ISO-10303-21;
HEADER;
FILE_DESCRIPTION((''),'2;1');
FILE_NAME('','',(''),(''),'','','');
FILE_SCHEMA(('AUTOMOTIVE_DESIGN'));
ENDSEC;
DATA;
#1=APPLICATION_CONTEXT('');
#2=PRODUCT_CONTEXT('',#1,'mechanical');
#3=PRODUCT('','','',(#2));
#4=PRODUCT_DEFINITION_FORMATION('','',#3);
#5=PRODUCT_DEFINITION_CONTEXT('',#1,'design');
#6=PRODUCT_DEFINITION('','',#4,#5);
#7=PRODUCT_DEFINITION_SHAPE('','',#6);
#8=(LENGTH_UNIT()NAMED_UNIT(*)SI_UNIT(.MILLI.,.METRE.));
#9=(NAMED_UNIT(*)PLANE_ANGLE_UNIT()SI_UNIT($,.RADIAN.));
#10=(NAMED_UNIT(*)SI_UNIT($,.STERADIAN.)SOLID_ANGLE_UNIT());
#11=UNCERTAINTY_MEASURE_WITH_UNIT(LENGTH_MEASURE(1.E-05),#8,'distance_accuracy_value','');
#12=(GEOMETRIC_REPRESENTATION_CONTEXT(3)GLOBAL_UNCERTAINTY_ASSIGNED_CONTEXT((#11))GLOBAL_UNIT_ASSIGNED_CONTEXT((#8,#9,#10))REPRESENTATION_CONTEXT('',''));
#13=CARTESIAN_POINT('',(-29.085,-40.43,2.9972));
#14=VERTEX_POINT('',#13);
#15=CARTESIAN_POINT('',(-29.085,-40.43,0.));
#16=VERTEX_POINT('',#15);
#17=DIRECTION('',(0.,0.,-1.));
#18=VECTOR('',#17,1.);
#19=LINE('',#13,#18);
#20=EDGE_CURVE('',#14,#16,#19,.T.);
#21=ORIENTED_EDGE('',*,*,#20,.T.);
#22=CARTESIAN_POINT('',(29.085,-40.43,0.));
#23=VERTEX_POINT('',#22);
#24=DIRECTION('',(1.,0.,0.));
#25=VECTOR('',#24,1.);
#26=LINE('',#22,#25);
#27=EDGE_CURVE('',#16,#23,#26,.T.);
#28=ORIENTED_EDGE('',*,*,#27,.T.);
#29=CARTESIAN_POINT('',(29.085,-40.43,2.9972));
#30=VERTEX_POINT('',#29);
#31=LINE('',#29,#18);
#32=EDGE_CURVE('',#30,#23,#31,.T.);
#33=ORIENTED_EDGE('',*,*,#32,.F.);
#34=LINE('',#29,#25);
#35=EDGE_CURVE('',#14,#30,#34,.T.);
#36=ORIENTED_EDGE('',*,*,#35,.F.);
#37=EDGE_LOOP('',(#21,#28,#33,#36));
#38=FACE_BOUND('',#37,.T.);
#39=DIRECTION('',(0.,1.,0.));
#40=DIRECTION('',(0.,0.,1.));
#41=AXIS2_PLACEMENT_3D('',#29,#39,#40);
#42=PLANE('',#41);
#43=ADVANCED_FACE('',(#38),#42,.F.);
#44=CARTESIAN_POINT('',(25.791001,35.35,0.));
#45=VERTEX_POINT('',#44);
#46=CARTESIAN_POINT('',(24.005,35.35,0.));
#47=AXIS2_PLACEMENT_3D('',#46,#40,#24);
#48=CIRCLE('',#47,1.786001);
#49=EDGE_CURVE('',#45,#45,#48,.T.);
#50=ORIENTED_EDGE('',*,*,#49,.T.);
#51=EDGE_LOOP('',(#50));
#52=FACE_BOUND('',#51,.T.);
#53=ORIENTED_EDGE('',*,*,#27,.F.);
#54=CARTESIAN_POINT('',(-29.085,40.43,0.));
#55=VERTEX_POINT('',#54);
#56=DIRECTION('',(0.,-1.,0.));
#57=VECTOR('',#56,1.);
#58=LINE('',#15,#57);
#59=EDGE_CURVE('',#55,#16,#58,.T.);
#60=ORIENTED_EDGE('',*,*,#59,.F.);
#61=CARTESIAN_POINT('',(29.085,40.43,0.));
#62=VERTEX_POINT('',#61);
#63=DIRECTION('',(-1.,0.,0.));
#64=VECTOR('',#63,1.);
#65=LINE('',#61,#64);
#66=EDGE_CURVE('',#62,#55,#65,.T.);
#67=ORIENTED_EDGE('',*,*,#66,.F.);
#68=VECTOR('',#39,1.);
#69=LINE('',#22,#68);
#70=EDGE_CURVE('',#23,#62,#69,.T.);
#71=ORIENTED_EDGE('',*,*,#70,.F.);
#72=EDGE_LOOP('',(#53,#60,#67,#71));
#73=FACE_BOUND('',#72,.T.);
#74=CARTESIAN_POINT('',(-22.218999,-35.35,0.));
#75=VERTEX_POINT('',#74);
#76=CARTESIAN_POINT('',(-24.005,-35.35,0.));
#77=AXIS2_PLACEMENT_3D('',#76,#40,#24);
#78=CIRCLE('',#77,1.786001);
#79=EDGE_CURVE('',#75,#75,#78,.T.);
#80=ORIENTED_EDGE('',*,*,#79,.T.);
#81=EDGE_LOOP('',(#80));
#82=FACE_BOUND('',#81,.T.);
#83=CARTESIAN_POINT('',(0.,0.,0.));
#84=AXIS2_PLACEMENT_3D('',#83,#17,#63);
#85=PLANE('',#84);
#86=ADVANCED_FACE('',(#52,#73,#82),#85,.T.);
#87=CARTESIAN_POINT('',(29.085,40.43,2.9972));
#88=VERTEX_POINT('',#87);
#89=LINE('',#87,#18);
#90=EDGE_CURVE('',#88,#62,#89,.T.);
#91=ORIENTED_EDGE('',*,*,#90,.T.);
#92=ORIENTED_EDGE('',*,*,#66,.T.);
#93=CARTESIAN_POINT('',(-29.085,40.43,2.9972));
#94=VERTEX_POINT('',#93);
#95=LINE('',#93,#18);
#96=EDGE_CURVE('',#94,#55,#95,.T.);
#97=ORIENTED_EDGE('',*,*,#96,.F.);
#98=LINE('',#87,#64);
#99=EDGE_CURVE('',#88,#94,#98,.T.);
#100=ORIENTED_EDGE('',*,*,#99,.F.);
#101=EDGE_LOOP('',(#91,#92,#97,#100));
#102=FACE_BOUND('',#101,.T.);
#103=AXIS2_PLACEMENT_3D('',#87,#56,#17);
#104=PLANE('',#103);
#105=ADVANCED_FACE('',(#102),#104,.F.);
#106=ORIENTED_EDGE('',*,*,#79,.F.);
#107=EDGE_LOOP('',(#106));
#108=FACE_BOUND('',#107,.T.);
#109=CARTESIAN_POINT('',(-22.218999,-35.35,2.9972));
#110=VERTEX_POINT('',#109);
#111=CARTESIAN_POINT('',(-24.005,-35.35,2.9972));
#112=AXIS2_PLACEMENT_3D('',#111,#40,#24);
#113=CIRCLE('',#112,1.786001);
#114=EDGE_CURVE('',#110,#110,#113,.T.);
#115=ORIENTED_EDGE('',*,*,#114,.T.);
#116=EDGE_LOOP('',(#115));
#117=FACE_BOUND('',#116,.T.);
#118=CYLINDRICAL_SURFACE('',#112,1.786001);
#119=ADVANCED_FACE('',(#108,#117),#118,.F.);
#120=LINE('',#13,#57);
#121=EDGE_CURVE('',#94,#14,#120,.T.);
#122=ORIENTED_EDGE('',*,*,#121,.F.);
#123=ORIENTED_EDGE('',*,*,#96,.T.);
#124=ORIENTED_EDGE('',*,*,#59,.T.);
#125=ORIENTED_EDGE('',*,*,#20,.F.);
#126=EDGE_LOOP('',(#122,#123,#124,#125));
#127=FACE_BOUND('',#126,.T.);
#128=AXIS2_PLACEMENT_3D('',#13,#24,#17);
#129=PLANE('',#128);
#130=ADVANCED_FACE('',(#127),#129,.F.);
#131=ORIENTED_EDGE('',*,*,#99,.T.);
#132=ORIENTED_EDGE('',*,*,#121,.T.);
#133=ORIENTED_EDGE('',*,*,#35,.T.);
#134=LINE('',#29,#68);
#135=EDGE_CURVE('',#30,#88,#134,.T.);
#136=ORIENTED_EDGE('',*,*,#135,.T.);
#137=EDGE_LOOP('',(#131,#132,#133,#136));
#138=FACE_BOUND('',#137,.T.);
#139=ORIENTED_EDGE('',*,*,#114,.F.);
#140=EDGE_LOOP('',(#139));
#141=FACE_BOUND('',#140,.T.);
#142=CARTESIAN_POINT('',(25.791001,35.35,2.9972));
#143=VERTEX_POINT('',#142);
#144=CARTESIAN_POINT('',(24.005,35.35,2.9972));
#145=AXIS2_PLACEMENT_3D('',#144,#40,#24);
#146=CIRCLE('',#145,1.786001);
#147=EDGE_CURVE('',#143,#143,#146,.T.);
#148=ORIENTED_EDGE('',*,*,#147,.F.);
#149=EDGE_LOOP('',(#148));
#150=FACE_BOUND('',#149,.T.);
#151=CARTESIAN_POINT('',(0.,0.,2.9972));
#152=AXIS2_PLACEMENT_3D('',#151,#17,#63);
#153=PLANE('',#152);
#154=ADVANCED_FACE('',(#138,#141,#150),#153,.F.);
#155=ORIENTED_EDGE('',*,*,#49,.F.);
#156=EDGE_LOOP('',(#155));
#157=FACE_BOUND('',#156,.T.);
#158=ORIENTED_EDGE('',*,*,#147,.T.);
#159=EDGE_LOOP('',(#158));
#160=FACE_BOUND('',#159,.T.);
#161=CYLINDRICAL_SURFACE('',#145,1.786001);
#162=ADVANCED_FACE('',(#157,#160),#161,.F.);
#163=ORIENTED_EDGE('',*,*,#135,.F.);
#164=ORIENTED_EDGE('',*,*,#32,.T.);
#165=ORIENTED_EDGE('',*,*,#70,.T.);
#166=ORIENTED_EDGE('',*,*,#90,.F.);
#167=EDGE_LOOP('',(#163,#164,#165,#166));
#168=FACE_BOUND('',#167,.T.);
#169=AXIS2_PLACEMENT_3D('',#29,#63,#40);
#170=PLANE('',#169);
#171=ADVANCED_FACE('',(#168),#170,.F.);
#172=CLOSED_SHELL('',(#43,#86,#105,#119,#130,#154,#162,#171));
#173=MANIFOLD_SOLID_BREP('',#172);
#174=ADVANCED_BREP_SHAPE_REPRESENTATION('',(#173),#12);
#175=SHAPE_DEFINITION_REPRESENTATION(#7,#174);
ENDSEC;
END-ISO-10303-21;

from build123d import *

# Parameters (mm, degrees)
SKETCH2_W                       = 80.86
SKETCH2_H                       = 58.17
BOSS_EXTRUDE1_DEPTH             = 2.9972
F_9_64_0_14063_DIAMETER_HOLE1_D = 3.572002


with BuildPart() as part:
    # Sketch2 → Boss-Extrude1 (new body)
    with BuildSketch(Plane(origin=(0, 0, 0), x_dir=(0, 1, 0), z_dir=(0, 0, 1))):
        Rectangle(SKETCH2_W, SKETCH2_H)
    extrude(amount=BOSS_EXTRUDE1_DEPTH)

    # 9/64 (0.14063) Diameter Hole1 (through all)
    with Locations(Plane.XY.offset(2.9972)):
        with Locations((24.005, 35.35), (-24.005, -35.35)):
            Hole(F_9_64_0_14063_DIAMETER_HOLE1_D / 2)


solid = part.part
